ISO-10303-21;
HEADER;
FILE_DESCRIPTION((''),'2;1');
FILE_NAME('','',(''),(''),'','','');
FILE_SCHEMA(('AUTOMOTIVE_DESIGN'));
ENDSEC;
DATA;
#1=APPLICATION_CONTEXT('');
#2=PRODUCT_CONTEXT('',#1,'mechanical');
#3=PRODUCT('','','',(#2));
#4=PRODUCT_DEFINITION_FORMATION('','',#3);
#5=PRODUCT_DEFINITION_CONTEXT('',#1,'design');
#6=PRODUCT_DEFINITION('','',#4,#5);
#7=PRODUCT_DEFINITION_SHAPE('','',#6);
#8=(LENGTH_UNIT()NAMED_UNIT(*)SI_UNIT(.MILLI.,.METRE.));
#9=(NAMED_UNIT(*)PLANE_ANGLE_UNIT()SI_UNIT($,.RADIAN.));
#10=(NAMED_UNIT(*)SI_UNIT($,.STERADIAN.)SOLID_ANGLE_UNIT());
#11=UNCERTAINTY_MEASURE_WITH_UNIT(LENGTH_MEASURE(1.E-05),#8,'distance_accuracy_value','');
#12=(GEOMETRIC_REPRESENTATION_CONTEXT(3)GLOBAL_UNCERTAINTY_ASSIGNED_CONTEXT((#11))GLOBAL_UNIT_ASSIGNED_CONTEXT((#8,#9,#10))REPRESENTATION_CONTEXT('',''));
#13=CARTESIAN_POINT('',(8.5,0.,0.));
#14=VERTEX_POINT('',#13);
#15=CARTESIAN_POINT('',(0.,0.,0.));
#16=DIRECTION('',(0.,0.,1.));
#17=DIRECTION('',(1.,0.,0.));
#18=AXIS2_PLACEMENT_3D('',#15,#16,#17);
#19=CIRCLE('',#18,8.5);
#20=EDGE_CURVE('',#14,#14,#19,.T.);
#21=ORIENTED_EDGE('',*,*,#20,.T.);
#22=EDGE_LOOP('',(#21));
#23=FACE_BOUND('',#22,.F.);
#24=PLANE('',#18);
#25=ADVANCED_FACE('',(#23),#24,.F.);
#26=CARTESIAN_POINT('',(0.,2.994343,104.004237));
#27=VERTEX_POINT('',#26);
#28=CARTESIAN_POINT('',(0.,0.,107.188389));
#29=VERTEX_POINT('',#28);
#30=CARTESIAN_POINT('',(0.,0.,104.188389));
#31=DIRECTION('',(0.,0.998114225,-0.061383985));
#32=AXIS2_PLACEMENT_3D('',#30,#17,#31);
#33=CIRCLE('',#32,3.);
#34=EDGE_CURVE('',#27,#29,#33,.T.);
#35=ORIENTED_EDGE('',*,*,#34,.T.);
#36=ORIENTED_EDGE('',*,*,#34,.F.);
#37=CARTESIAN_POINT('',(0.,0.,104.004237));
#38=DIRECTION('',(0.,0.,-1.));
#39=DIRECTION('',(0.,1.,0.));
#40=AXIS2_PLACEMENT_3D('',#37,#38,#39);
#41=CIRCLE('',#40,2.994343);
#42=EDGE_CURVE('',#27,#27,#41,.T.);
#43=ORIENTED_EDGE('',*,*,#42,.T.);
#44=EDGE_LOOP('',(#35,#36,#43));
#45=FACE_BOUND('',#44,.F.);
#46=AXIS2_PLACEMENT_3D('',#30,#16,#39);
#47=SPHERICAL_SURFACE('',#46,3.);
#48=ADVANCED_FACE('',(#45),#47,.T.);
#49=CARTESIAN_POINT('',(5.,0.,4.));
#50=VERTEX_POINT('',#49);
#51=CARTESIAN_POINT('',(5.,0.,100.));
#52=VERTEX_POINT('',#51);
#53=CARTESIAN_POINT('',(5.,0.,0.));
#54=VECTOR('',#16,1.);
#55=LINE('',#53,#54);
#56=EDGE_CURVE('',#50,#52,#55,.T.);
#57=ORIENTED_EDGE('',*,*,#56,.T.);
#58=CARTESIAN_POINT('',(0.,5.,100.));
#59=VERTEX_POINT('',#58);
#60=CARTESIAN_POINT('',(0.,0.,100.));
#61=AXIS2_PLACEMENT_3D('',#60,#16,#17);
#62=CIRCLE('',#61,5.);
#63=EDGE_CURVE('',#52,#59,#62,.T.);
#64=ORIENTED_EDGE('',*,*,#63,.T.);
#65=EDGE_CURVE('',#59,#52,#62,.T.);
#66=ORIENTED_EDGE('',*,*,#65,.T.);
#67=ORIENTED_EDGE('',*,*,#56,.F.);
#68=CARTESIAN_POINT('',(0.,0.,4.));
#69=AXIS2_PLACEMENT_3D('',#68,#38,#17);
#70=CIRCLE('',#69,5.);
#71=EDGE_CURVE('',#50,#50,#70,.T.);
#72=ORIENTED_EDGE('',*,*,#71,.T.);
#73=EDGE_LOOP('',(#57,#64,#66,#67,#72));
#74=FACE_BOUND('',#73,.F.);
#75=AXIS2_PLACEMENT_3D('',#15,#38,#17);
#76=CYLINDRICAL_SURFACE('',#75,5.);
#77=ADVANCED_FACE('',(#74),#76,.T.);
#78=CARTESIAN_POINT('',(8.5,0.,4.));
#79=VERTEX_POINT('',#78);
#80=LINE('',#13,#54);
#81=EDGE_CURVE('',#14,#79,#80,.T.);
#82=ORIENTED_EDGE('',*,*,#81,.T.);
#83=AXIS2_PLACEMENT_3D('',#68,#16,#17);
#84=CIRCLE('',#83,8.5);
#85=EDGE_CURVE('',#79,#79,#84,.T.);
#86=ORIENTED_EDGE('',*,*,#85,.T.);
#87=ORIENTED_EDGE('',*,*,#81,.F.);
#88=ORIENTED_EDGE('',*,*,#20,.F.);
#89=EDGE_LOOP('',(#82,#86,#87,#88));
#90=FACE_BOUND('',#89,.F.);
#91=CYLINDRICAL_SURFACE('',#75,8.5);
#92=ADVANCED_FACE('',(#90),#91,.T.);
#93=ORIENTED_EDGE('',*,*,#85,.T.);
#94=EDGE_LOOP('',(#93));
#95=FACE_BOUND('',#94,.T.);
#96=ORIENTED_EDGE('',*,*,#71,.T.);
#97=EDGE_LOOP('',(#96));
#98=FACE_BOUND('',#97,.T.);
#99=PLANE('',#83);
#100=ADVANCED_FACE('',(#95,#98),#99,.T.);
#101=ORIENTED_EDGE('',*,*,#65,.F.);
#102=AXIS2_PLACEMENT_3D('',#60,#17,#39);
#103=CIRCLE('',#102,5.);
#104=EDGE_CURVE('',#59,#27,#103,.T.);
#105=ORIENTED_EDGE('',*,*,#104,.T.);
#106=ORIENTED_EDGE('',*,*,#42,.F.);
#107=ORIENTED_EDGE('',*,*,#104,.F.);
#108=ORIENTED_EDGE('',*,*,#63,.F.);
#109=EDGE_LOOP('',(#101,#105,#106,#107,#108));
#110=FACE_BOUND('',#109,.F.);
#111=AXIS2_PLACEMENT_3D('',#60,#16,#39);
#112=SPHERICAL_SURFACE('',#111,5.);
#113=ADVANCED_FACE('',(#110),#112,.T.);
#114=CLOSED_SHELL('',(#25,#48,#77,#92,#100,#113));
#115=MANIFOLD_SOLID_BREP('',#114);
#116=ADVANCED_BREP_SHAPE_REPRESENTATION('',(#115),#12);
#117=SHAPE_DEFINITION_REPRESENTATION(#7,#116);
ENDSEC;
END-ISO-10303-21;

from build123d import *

# Parameters (mm, degrees)
F0_R     = 8.5
F1_DEPTH = 4
F2_R     = 5
F3_DEPTH = 100


with BuildPart() as f1:
    # F0 (on Top) → F1 (new body)
    with BuildSketch(Plane.XY):
        Circle(F0_R)
    extrude(amount=F1_DEPTH)

    # F2 (on Top) → F3 (join)
    with BuildSketch(Plane.XY):
        Circle(F2_R)
    extrude(amount=F3_DEPTH)

    # F4 (on Right) → F5 (revolve)
    with BuildSketch(Plane.YZ):
        with BuildLine():
            Line((0, 104.0042367491), (0, 100))
            Line((0, 100), (5, 100))
            ThreePointArc((5, 100), (4.470554405, 102.2392282849), (2.9943426753, 104.0042367491))
            Line((2.9943426753, 104.0042367491), (0, 104.0042367491))
        make_face()
        with BuildLine():
            ThreePointArc((0, 105), (1.5777858306, 104.7445328403), (2.9943426753, 104.0042367491))
            ThreePointArc((2.9943426753, 104.0042367491), (2.1854582893, 106.243570465), (0, 107.1883887053))
            Line((0, 107.1883887053), (0, 105))
        make_face()
        with BuildLine():
            Line((0, 105), (0, 104.0042367491))
            Line((0, 104.0042367491), (2.9943426753, 104.0042367491))
            ThreePointArc((2.9943426753, 104.0042367491), (1.5777858306, 104.7445328403), (0, 105))
        make_face()
    revolve(axis=Axis((0, 0, 103.5941943526), (0, 0, -1)))


solid = f1.part
